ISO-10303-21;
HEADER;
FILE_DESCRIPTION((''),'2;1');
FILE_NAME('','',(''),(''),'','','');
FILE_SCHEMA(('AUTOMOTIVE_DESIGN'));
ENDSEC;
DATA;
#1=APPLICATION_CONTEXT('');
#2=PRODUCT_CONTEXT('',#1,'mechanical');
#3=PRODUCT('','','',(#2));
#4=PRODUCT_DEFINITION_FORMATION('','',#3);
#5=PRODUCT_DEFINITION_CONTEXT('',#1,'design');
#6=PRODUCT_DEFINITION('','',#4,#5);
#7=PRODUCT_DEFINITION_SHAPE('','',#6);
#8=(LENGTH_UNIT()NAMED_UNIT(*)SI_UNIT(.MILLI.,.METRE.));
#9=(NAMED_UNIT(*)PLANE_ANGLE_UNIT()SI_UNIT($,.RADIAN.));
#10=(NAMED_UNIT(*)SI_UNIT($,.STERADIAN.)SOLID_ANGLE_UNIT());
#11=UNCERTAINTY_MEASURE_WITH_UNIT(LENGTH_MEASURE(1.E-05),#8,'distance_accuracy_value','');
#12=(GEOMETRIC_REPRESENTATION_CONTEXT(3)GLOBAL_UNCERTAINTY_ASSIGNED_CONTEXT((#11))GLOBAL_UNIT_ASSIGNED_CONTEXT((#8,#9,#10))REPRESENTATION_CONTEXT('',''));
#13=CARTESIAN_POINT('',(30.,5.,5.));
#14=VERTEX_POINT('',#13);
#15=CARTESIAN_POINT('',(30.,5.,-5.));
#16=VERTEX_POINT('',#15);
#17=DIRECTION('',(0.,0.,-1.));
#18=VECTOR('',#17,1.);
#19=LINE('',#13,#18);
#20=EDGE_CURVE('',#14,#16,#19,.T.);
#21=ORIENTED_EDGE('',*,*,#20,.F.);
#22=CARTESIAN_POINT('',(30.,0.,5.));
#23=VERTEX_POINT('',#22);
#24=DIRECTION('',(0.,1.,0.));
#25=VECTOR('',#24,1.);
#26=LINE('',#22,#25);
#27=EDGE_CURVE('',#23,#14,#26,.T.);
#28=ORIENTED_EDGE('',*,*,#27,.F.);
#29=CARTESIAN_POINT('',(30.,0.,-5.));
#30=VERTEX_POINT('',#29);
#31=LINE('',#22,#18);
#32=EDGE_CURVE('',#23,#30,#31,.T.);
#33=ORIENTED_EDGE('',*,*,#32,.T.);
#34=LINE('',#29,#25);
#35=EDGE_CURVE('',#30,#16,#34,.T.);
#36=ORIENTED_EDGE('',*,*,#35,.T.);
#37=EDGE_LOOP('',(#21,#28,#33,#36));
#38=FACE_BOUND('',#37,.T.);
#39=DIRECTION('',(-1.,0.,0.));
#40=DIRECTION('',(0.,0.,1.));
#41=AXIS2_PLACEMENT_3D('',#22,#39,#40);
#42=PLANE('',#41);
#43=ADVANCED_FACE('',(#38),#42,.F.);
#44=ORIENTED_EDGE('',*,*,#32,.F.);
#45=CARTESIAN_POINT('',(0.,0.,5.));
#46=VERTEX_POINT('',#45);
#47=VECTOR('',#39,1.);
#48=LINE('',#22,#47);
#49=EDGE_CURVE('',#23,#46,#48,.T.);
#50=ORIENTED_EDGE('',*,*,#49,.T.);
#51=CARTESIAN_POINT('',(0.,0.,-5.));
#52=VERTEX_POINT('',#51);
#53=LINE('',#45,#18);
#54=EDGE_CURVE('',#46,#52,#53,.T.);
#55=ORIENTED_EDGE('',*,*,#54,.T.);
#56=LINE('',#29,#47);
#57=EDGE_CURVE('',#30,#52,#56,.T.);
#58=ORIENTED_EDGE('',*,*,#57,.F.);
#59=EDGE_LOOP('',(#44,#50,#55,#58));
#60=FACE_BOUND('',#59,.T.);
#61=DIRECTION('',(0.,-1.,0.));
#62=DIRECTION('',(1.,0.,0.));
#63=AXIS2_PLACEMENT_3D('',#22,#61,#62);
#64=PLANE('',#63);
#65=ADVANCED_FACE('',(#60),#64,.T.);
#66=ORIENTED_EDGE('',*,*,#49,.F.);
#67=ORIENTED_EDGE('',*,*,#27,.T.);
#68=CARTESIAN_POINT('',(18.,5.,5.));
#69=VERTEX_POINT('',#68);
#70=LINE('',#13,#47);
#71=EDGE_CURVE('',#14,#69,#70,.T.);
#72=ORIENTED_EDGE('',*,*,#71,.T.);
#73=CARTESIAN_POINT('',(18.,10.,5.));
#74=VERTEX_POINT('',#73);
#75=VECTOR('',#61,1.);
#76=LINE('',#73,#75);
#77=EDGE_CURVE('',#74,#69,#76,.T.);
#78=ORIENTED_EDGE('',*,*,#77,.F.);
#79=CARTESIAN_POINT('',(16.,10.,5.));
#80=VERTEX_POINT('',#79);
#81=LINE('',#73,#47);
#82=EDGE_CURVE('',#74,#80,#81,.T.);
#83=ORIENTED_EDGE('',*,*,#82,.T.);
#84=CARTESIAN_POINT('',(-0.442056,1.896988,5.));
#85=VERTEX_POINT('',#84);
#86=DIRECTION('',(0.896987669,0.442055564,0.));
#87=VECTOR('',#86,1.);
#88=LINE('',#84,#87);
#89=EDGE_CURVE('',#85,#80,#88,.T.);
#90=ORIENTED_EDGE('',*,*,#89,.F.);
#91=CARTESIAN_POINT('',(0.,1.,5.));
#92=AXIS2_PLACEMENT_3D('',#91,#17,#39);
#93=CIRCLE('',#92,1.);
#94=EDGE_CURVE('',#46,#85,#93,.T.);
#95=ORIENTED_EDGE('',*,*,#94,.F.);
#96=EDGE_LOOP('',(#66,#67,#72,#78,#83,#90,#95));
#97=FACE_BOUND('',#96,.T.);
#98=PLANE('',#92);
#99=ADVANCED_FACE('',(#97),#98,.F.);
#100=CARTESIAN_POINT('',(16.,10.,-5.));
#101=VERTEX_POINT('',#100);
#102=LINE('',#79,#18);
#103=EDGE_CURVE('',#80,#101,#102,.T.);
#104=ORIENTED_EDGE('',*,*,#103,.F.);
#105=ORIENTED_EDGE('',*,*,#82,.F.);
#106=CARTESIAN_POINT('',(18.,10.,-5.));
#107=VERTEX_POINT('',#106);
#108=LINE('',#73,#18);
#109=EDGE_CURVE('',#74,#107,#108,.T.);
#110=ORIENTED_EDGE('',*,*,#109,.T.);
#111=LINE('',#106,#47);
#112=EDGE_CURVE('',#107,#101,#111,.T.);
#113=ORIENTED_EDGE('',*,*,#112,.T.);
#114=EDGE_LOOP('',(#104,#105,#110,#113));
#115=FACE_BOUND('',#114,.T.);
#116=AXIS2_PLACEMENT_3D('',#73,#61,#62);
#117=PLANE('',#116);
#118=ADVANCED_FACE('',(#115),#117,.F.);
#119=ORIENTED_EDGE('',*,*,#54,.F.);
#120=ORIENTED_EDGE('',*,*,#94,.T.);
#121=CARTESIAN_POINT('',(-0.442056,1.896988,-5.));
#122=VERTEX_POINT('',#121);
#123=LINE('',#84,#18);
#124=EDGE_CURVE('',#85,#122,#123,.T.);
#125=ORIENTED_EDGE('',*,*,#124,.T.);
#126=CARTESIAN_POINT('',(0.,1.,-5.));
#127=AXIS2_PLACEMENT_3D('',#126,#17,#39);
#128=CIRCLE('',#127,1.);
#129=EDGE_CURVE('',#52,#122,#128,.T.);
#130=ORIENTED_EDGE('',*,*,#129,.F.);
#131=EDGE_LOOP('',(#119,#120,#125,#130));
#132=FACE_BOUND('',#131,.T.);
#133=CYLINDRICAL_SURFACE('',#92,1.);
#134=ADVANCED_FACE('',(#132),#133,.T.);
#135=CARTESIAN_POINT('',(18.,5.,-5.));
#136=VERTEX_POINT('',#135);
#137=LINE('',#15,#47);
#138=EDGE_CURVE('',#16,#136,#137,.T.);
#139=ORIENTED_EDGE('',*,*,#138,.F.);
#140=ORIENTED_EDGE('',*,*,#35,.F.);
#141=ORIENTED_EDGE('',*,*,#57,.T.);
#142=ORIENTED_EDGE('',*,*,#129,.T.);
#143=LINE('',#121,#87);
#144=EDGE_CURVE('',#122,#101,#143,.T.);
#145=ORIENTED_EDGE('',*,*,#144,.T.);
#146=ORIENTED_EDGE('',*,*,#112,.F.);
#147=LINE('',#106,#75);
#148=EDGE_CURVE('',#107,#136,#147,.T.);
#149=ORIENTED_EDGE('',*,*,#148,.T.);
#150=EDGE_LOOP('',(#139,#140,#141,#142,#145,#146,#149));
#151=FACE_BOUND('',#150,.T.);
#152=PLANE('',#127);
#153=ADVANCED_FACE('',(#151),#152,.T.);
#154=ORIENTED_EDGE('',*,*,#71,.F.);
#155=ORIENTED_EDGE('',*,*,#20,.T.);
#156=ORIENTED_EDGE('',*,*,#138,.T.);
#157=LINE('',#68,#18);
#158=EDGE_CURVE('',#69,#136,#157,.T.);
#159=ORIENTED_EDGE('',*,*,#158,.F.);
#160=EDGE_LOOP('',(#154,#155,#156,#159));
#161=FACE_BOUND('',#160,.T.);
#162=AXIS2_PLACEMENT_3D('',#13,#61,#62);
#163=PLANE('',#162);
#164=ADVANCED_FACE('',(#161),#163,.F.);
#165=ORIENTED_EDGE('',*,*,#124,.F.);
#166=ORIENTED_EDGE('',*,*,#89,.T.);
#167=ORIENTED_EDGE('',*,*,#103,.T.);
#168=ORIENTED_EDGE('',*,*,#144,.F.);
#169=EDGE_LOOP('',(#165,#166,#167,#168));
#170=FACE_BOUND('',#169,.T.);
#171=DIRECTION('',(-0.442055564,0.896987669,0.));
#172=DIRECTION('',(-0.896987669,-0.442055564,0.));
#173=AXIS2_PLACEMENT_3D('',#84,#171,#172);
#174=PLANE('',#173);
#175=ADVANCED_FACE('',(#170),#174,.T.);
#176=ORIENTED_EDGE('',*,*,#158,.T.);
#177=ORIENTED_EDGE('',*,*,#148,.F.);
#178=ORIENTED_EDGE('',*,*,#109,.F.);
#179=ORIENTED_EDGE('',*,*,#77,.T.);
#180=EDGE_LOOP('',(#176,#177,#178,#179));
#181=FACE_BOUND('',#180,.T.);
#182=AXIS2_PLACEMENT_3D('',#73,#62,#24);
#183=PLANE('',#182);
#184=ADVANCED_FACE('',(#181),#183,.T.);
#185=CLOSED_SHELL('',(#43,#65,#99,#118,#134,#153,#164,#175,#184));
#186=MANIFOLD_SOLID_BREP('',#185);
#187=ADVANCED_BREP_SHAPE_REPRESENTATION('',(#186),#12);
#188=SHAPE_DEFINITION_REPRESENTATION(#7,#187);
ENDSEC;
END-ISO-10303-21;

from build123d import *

# Parameters (mm, degrees)
BASE_EXTRUDE_DEPTH = 5


with BuildPart() as part:
    # Sketch1 → Base-Extrude (new body, symmetric)
    with BuildSketch(Plane.XY):
        with BuildLine():
            Line((-0.442055564, 1.896987669), (16, 10))
            Line((16, 10), (18, 10))
            Line((18, 10), (18, 5))
            Line((18, 5), (30, 5))
            Line((30, 5), (30, 0))
            Line((30, 0), (0, 0))
            ThreePointArc((0, 0), (-0.973906481, 0.773050302), (-0.442055564, 1.896987669))
        make_face()
    extrude(amount=BASE_EXTRUDE_DEPTH, both=True)


solid = part.part
